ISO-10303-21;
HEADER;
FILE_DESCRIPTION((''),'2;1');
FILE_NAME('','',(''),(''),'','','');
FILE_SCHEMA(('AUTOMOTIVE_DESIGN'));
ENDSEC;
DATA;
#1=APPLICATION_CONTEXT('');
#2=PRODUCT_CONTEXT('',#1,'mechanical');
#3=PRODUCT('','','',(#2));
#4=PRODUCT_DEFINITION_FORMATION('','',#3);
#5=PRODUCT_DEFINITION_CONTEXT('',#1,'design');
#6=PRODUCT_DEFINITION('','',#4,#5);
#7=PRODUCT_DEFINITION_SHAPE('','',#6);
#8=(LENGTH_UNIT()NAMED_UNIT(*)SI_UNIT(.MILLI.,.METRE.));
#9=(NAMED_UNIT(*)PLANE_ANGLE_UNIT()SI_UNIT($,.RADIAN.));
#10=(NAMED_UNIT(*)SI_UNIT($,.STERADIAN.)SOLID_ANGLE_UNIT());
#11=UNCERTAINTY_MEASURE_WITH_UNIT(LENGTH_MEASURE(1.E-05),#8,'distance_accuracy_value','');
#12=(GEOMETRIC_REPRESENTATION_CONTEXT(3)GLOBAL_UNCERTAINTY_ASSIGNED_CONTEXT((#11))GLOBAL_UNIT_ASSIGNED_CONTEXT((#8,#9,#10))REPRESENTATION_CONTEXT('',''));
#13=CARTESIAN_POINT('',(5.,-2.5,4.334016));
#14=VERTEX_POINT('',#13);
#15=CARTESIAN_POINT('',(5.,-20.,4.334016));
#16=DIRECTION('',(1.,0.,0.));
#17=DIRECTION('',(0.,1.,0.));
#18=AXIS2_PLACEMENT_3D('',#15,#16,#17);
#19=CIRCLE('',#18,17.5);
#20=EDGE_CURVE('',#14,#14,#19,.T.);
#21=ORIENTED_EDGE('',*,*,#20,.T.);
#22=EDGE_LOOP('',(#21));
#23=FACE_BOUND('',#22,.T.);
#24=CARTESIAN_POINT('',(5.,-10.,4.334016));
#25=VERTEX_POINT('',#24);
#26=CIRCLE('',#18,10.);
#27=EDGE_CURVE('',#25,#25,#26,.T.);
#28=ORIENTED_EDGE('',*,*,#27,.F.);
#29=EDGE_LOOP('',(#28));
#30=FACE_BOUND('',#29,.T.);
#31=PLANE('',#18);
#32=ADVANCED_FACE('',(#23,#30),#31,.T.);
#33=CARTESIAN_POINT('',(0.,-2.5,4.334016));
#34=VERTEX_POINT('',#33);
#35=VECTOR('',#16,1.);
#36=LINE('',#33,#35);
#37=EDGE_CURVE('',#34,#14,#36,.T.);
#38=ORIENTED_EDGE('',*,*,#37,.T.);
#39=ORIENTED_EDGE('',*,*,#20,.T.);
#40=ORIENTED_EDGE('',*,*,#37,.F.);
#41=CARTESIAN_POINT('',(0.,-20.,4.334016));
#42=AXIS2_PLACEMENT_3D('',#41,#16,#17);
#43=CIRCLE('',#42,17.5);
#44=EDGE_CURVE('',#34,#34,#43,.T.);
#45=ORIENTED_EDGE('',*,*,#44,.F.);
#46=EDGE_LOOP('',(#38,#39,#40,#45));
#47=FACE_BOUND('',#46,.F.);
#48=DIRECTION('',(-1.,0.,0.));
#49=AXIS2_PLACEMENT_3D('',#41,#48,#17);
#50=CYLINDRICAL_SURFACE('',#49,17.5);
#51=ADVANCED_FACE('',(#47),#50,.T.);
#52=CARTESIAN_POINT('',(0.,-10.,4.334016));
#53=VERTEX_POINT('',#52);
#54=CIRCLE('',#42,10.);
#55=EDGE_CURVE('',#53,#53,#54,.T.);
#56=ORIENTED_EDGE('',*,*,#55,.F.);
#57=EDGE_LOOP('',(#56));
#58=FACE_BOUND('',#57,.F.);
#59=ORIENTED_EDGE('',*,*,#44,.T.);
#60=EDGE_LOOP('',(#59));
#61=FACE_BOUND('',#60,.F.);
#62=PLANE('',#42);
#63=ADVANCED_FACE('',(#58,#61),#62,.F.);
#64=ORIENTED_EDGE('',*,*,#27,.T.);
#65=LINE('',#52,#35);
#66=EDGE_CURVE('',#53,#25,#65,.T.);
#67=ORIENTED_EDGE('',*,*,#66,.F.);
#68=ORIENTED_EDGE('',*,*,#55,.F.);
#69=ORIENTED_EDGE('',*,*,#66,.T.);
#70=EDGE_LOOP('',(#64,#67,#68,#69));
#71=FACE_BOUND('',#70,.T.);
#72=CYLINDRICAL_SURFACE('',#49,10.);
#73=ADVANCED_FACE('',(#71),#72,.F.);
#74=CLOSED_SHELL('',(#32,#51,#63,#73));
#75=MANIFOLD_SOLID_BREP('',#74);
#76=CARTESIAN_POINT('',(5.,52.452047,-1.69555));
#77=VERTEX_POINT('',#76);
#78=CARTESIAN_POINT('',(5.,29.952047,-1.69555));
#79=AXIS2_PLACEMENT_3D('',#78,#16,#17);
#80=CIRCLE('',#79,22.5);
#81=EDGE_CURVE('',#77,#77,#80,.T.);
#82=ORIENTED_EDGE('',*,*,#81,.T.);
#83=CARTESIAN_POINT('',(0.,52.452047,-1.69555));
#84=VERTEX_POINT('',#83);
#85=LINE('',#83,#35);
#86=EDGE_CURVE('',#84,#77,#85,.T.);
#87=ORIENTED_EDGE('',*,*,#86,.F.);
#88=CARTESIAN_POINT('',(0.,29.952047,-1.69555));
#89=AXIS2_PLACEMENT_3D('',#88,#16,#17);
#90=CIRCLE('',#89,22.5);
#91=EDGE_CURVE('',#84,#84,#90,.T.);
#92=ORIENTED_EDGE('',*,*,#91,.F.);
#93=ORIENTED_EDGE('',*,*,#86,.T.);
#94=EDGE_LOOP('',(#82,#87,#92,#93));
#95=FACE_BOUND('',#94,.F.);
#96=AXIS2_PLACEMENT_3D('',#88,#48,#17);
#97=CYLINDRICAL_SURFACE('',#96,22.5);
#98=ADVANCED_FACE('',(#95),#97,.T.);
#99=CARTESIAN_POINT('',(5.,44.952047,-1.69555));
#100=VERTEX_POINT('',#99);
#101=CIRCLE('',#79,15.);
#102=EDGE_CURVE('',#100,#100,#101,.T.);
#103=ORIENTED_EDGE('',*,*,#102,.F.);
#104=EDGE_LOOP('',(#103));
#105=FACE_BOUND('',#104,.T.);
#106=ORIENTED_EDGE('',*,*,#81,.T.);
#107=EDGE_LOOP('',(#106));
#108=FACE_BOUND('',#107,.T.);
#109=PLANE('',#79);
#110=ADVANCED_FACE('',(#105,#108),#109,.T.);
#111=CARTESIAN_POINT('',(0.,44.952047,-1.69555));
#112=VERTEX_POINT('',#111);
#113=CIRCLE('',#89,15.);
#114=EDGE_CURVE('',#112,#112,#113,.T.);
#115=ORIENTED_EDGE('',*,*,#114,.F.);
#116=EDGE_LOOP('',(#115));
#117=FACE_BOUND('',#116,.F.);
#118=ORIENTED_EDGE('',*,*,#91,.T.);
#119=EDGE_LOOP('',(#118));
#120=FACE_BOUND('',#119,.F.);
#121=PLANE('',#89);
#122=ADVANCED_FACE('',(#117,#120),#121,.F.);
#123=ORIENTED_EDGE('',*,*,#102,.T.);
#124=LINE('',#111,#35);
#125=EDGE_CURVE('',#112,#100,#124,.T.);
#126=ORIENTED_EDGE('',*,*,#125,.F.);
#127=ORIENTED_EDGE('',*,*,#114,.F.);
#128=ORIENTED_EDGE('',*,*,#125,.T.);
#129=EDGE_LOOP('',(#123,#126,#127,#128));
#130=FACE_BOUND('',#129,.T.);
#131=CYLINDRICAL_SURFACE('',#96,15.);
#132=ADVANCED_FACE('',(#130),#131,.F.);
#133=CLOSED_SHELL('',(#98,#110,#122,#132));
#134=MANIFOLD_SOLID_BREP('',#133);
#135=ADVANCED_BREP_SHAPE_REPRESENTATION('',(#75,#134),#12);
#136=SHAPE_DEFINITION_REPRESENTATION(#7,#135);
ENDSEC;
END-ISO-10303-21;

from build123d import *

# Parameters (mm, degrees)
F0_R     = 17.5
F0_R_2   = 10
F0_R_3   = 22.5
F0_R_4   = 15
F1_DEPTH = 5


with BuildPart() as f1:
    # F0 (on Right) → F1 (new body)
    with BuildSketch(Plane.YZ):
        with Locations((-20, 4.334016)):
            Circle(F0_R)
        with Locations((-20, 4.334016)):
            Circle(F0_R_2, mode=Mode.SUBTRACT)
        with Locations((29.952047, -1.69555)):
            Circle(F0_R_3)
        with Locations((29.952047, -1.69555)):
            Circle(F0_R_4, mode=Mode.SUBTRACT)
    extrude(amount=F1_DEPTH)


solid = f1.part
